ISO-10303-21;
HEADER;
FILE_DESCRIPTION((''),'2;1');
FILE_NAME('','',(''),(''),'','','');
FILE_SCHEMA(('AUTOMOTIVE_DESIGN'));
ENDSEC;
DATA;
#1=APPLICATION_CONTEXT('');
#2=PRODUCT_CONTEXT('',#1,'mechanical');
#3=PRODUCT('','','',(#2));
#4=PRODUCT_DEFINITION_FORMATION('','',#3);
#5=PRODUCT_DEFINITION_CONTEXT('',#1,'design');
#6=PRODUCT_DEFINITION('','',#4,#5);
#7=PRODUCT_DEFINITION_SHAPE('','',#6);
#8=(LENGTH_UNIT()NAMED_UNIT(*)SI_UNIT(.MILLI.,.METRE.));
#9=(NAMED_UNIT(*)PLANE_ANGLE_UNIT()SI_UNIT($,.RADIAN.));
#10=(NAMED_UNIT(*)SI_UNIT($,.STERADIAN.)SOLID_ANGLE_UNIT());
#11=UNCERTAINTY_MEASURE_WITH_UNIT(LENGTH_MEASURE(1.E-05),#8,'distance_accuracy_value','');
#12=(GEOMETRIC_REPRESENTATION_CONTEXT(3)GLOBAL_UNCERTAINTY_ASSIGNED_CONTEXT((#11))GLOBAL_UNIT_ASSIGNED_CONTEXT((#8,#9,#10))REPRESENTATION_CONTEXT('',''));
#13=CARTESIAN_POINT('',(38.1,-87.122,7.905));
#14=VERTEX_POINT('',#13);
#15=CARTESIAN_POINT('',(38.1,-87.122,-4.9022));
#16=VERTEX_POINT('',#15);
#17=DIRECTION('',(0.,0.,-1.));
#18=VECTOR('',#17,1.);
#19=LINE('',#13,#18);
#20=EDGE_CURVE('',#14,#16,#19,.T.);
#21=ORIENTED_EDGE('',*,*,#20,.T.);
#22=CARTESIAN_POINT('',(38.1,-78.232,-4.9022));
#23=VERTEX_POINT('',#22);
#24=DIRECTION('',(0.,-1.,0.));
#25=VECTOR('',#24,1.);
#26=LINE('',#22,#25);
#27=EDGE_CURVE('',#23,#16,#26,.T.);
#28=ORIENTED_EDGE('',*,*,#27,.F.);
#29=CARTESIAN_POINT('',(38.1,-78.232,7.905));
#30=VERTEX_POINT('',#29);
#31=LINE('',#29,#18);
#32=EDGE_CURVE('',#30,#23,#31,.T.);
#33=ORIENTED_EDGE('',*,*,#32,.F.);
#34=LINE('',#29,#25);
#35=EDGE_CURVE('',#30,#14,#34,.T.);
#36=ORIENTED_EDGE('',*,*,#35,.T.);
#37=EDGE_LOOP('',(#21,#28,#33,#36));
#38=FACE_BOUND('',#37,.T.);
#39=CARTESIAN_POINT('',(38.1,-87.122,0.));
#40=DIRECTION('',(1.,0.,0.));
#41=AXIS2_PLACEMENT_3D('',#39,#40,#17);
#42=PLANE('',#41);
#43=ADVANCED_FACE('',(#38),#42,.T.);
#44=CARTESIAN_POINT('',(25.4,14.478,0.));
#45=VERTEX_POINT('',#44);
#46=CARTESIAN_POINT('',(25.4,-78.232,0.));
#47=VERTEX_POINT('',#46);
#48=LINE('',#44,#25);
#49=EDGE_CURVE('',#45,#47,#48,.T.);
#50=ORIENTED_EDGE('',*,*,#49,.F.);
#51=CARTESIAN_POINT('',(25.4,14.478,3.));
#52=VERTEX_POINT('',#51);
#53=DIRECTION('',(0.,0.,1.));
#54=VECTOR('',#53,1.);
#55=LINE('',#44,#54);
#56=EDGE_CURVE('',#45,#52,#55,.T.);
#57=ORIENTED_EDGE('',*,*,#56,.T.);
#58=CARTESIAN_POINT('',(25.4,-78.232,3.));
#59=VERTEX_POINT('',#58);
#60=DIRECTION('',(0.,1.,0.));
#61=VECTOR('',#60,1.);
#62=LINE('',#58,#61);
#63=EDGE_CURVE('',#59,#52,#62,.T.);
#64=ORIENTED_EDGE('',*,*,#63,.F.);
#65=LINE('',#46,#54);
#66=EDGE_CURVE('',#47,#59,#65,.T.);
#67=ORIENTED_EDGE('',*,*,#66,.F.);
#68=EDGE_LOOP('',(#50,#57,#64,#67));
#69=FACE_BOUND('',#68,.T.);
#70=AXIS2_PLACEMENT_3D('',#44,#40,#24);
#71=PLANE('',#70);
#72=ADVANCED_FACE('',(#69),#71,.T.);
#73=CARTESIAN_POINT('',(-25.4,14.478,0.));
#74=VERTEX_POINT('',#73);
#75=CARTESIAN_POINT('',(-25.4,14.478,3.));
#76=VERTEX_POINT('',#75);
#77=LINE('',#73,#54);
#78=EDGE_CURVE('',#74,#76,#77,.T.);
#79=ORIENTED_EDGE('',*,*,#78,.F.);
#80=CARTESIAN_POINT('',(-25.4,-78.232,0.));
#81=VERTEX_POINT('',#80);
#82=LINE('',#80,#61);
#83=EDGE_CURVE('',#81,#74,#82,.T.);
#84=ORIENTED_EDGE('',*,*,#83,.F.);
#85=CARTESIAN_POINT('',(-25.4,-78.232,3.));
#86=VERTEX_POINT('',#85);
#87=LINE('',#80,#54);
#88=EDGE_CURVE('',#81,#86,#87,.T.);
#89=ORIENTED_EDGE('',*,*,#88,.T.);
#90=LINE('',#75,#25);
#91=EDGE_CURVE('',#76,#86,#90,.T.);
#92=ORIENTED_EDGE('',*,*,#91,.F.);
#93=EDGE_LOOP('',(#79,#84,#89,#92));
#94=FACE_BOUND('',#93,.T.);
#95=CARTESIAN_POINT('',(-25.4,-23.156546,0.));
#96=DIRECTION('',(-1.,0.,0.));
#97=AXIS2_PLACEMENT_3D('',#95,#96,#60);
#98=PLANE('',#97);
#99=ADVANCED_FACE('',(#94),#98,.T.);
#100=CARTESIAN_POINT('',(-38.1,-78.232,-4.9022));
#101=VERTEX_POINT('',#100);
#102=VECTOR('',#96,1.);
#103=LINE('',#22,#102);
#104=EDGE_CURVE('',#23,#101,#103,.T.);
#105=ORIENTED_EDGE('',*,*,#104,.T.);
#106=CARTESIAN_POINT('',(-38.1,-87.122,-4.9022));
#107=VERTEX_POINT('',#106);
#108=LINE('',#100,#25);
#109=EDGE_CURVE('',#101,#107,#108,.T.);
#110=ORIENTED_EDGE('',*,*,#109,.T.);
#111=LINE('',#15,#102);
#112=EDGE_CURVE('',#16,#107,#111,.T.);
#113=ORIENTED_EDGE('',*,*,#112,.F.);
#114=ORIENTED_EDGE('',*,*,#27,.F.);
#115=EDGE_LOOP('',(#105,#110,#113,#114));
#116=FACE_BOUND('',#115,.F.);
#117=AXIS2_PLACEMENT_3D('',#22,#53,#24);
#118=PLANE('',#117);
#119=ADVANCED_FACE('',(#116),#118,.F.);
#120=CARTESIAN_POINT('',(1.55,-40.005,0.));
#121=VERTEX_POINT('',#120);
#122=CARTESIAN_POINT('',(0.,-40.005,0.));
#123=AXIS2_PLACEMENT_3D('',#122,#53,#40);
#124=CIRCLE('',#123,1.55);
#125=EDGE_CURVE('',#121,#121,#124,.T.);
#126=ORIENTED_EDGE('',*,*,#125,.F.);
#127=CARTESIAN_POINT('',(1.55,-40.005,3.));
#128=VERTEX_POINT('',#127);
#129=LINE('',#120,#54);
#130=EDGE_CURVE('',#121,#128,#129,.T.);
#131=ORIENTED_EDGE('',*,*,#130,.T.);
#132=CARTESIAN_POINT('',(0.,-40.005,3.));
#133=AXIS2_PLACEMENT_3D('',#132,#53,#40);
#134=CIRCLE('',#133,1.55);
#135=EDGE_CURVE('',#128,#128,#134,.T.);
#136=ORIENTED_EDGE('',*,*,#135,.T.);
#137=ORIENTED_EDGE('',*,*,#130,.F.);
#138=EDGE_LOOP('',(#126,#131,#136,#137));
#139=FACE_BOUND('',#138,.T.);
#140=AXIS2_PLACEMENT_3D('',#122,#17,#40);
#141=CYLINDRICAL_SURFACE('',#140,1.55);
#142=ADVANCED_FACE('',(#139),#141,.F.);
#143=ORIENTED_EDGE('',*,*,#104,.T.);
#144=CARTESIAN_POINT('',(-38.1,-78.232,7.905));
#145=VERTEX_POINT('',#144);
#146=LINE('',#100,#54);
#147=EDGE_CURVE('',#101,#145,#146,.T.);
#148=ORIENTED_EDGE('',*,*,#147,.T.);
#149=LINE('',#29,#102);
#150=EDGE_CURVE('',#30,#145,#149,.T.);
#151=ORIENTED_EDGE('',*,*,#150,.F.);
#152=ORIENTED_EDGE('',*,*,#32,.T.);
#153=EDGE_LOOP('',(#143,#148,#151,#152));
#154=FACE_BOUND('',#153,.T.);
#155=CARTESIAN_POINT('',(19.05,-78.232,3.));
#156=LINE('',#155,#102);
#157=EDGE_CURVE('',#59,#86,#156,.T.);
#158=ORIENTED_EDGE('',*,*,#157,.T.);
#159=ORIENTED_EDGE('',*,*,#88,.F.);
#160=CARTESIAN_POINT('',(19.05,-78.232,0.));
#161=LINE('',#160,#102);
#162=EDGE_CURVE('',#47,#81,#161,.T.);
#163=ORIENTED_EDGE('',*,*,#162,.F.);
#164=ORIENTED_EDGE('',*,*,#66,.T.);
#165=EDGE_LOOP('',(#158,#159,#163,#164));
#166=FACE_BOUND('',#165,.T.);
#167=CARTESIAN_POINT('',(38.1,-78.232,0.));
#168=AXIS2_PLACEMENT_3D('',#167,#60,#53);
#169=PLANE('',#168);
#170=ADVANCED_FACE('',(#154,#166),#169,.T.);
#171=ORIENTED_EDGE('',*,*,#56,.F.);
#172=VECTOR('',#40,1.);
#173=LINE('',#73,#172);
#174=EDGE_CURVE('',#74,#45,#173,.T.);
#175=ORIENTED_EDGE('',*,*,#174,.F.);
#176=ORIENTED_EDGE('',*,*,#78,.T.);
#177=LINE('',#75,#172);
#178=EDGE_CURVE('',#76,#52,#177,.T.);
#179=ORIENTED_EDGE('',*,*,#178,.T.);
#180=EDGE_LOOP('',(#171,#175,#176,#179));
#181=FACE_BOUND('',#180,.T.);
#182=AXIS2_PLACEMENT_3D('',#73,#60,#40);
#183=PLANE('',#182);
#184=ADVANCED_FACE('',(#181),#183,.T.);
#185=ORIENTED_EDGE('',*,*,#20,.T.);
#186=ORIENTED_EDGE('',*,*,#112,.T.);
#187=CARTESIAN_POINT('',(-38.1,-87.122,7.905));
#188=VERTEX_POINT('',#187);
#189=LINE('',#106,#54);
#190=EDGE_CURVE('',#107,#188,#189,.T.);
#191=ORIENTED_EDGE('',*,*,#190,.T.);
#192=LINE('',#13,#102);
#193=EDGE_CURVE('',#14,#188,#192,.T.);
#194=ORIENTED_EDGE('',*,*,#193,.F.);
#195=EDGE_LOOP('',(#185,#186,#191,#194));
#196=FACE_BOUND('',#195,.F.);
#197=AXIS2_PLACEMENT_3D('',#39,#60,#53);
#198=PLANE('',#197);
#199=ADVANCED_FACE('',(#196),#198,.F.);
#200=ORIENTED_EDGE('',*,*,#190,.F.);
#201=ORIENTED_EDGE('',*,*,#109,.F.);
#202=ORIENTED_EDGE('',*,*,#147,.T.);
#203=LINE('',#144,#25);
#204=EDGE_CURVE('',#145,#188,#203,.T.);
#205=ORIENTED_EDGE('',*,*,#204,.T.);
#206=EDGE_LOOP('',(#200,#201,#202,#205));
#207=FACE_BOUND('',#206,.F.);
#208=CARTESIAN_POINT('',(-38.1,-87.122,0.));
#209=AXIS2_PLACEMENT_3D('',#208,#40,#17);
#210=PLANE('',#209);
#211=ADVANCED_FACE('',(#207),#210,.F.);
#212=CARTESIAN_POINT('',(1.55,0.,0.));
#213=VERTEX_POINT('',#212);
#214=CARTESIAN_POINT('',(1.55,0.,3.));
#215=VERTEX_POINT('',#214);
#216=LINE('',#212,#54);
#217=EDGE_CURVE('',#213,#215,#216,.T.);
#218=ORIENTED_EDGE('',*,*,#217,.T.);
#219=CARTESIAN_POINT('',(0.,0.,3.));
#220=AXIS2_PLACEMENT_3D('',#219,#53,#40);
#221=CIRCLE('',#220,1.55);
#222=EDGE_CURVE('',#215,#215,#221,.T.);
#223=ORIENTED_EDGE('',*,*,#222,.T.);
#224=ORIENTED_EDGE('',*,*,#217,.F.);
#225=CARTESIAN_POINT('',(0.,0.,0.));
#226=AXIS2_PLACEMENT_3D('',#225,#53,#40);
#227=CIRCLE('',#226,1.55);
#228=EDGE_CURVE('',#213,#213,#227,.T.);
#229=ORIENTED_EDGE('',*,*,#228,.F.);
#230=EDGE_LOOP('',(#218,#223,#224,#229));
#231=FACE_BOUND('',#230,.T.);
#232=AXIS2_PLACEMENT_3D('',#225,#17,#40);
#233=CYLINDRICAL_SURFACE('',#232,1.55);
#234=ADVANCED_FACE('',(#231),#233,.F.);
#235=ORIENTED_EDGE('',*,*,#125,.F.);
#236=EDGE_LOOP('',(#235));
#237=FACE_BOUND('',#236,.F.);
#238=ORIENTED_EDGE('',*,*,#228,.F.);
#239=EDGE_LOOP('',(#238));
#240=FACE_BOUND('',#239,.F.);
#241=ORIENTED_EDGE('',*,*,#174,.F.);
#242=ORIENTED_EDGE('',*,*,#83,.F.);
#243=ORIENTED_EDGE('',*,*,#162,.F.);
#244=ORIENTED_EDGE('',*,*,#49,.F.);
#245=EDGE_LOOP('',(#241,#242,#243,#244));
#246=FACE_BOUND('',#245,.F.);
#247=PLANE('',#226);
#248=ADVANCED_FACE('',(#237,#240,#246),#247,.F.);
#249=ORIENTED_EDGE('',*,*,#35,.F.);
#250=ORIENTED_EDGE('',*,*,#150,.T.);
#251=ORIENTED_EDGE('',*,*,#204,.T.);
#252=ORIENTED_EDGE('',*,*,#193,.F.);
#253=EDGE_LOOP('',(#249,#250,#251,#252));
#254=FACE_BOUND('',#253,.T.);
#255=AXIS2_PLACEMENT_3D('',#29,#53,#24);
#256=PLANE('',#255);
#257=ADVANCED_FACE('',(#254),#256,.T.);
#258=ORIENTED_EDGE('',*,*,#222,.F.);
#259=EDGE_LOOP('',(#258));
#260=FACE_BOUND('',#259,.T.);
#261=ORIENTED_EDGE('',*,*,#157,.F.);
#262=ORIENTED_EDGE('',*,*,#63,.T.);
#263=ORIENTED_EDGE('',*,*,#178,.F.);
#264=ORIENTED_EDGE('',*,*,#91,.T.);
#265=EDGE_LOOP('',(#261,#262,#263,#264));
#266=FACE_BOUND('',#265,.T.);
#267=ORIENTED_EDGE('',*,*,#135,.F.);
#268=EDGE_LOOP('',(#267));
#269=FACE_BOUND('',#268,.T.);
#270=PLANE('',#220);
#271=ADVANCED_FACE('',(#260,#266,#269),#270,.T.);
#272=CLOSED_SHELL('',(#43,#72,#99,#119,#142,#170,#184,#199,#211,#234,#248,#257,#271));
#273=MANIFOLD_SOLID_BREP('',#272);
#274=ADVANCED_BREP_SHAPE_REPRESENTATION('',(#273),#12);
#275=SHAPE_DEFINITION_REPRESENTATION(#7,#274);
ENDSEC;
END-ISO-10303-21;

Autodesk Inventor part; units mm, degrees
ref_plane "YZ Plane" through (0, 0, 0) normal (1, 0, 0) x (0, 1, 0)
ref_plane "XZ Plane" through (0, 0, 0) normal (0, 1, 0) x (-1, 0, 0)
ref_plane "XY Plane" through (0, 0, 0) normal (0, 0, 1) x (1, 0, 0)
sketch "Sketch1" plane through (0, 0, 0) normal (0, 0, 1) x (1, 0, 0)
  circle A0 centre (0, 0) radius 7.62
  circle A1 centre (0, -40.005) radius 30.48
  circle A2 centre (0, 0) radius 1.55
  circle A3 centre (0, -40.005) radius 1.55
  line L0 (-25.4, 14.478) -> (25.4, 14.478)
  line L1 (25.4, 14.478) -> (25.4, -78.232)
  line L2 (25.4, -87.122) -> (-25.4, -87.122)
  line L3 (-25.4, -78.232) -> (-25.4, 14.478)
  line L4 (-25.4, -87.122) -> (-38.1, -87.122)
  line L5 (-38.1, -87.122) -> (-38.1, -78.232)
  line L6 (-38.1, -78.232) -> (-25.4, -78.232)
  line L7 (25.4, -87.122) -> (38.1, -87.122)
  line L8 (38.1, -87.122) -> (38.1, -78.232)
  line L9 (38.1, -78.232) -> (25.4, -78.232)
  dimension "d0" = 40.005
  dimension "d1" = 15.24
  dimension "d2" = 60.96
  dimension "d3" = 3.1
  dimension "d4" = 3.1
  dimension "d5" = 14.478
  dimension "d6" = 25.4
  dimension "d7" = 25.4
  dimension "d8" = 101.6
  dimension "d9" = 12.7
  dimension "d10" = 12.7
  dimension "d11" = 8.89
extrude "Extrusion1" add sketch "Sketch1" along normal blind 3 contours A0 | L1 A1 L3 | A1 L3 L0 L1 | L1 L9 L8 L7 L2 L4 L5 L6 L3 A1
sketch "Sketch2" plane through (38.1, -87.122, 0) normal (1, 0, 0) x (0, 0, -1)
  line L0 (0, 8.89) -> (-3, 8.89) projected
  line L1 (0, 0) -> (-3, 0) projected
  line L2 (-1.5, 8.89) -> (4.9022, 8.89)
  line L3 (4.9022, 8.89) -> (4.9022, 0)
  line L4 (4.9022, 0) -> (-1.5, 0)
  line L5 (-1.5, 0) -> (-1.5, 8.89)
  line L6 (-1.5, 8.89) -> (-7.905, 8.89)
  line L7 (-7.905, 8.89) -> (-7.905, 0)
  line L8 (-7.905, 0) -> (-1.5, 0)
  line L9 (-1.5, 0) -> (-1.5, 8.89)
  line L10 (-3, 0) -> (-3, 8.89) projected
  line L11 (-3, 8.89) -> (-3, 0)
  line L12 (0, 0) -> (0, 8.89) projected
  line L13 (0, 8.89) -> (0, 0)
  point P0 (0, 87.122)
  dimension "d15" = 8.89
  dimension "d19" = 4.905
  dimension "d20" = 4.9022
extrude "Extrusion2" add sketch "Sketch2" against normal blind 76.2
properties part number "Middle Frame"
